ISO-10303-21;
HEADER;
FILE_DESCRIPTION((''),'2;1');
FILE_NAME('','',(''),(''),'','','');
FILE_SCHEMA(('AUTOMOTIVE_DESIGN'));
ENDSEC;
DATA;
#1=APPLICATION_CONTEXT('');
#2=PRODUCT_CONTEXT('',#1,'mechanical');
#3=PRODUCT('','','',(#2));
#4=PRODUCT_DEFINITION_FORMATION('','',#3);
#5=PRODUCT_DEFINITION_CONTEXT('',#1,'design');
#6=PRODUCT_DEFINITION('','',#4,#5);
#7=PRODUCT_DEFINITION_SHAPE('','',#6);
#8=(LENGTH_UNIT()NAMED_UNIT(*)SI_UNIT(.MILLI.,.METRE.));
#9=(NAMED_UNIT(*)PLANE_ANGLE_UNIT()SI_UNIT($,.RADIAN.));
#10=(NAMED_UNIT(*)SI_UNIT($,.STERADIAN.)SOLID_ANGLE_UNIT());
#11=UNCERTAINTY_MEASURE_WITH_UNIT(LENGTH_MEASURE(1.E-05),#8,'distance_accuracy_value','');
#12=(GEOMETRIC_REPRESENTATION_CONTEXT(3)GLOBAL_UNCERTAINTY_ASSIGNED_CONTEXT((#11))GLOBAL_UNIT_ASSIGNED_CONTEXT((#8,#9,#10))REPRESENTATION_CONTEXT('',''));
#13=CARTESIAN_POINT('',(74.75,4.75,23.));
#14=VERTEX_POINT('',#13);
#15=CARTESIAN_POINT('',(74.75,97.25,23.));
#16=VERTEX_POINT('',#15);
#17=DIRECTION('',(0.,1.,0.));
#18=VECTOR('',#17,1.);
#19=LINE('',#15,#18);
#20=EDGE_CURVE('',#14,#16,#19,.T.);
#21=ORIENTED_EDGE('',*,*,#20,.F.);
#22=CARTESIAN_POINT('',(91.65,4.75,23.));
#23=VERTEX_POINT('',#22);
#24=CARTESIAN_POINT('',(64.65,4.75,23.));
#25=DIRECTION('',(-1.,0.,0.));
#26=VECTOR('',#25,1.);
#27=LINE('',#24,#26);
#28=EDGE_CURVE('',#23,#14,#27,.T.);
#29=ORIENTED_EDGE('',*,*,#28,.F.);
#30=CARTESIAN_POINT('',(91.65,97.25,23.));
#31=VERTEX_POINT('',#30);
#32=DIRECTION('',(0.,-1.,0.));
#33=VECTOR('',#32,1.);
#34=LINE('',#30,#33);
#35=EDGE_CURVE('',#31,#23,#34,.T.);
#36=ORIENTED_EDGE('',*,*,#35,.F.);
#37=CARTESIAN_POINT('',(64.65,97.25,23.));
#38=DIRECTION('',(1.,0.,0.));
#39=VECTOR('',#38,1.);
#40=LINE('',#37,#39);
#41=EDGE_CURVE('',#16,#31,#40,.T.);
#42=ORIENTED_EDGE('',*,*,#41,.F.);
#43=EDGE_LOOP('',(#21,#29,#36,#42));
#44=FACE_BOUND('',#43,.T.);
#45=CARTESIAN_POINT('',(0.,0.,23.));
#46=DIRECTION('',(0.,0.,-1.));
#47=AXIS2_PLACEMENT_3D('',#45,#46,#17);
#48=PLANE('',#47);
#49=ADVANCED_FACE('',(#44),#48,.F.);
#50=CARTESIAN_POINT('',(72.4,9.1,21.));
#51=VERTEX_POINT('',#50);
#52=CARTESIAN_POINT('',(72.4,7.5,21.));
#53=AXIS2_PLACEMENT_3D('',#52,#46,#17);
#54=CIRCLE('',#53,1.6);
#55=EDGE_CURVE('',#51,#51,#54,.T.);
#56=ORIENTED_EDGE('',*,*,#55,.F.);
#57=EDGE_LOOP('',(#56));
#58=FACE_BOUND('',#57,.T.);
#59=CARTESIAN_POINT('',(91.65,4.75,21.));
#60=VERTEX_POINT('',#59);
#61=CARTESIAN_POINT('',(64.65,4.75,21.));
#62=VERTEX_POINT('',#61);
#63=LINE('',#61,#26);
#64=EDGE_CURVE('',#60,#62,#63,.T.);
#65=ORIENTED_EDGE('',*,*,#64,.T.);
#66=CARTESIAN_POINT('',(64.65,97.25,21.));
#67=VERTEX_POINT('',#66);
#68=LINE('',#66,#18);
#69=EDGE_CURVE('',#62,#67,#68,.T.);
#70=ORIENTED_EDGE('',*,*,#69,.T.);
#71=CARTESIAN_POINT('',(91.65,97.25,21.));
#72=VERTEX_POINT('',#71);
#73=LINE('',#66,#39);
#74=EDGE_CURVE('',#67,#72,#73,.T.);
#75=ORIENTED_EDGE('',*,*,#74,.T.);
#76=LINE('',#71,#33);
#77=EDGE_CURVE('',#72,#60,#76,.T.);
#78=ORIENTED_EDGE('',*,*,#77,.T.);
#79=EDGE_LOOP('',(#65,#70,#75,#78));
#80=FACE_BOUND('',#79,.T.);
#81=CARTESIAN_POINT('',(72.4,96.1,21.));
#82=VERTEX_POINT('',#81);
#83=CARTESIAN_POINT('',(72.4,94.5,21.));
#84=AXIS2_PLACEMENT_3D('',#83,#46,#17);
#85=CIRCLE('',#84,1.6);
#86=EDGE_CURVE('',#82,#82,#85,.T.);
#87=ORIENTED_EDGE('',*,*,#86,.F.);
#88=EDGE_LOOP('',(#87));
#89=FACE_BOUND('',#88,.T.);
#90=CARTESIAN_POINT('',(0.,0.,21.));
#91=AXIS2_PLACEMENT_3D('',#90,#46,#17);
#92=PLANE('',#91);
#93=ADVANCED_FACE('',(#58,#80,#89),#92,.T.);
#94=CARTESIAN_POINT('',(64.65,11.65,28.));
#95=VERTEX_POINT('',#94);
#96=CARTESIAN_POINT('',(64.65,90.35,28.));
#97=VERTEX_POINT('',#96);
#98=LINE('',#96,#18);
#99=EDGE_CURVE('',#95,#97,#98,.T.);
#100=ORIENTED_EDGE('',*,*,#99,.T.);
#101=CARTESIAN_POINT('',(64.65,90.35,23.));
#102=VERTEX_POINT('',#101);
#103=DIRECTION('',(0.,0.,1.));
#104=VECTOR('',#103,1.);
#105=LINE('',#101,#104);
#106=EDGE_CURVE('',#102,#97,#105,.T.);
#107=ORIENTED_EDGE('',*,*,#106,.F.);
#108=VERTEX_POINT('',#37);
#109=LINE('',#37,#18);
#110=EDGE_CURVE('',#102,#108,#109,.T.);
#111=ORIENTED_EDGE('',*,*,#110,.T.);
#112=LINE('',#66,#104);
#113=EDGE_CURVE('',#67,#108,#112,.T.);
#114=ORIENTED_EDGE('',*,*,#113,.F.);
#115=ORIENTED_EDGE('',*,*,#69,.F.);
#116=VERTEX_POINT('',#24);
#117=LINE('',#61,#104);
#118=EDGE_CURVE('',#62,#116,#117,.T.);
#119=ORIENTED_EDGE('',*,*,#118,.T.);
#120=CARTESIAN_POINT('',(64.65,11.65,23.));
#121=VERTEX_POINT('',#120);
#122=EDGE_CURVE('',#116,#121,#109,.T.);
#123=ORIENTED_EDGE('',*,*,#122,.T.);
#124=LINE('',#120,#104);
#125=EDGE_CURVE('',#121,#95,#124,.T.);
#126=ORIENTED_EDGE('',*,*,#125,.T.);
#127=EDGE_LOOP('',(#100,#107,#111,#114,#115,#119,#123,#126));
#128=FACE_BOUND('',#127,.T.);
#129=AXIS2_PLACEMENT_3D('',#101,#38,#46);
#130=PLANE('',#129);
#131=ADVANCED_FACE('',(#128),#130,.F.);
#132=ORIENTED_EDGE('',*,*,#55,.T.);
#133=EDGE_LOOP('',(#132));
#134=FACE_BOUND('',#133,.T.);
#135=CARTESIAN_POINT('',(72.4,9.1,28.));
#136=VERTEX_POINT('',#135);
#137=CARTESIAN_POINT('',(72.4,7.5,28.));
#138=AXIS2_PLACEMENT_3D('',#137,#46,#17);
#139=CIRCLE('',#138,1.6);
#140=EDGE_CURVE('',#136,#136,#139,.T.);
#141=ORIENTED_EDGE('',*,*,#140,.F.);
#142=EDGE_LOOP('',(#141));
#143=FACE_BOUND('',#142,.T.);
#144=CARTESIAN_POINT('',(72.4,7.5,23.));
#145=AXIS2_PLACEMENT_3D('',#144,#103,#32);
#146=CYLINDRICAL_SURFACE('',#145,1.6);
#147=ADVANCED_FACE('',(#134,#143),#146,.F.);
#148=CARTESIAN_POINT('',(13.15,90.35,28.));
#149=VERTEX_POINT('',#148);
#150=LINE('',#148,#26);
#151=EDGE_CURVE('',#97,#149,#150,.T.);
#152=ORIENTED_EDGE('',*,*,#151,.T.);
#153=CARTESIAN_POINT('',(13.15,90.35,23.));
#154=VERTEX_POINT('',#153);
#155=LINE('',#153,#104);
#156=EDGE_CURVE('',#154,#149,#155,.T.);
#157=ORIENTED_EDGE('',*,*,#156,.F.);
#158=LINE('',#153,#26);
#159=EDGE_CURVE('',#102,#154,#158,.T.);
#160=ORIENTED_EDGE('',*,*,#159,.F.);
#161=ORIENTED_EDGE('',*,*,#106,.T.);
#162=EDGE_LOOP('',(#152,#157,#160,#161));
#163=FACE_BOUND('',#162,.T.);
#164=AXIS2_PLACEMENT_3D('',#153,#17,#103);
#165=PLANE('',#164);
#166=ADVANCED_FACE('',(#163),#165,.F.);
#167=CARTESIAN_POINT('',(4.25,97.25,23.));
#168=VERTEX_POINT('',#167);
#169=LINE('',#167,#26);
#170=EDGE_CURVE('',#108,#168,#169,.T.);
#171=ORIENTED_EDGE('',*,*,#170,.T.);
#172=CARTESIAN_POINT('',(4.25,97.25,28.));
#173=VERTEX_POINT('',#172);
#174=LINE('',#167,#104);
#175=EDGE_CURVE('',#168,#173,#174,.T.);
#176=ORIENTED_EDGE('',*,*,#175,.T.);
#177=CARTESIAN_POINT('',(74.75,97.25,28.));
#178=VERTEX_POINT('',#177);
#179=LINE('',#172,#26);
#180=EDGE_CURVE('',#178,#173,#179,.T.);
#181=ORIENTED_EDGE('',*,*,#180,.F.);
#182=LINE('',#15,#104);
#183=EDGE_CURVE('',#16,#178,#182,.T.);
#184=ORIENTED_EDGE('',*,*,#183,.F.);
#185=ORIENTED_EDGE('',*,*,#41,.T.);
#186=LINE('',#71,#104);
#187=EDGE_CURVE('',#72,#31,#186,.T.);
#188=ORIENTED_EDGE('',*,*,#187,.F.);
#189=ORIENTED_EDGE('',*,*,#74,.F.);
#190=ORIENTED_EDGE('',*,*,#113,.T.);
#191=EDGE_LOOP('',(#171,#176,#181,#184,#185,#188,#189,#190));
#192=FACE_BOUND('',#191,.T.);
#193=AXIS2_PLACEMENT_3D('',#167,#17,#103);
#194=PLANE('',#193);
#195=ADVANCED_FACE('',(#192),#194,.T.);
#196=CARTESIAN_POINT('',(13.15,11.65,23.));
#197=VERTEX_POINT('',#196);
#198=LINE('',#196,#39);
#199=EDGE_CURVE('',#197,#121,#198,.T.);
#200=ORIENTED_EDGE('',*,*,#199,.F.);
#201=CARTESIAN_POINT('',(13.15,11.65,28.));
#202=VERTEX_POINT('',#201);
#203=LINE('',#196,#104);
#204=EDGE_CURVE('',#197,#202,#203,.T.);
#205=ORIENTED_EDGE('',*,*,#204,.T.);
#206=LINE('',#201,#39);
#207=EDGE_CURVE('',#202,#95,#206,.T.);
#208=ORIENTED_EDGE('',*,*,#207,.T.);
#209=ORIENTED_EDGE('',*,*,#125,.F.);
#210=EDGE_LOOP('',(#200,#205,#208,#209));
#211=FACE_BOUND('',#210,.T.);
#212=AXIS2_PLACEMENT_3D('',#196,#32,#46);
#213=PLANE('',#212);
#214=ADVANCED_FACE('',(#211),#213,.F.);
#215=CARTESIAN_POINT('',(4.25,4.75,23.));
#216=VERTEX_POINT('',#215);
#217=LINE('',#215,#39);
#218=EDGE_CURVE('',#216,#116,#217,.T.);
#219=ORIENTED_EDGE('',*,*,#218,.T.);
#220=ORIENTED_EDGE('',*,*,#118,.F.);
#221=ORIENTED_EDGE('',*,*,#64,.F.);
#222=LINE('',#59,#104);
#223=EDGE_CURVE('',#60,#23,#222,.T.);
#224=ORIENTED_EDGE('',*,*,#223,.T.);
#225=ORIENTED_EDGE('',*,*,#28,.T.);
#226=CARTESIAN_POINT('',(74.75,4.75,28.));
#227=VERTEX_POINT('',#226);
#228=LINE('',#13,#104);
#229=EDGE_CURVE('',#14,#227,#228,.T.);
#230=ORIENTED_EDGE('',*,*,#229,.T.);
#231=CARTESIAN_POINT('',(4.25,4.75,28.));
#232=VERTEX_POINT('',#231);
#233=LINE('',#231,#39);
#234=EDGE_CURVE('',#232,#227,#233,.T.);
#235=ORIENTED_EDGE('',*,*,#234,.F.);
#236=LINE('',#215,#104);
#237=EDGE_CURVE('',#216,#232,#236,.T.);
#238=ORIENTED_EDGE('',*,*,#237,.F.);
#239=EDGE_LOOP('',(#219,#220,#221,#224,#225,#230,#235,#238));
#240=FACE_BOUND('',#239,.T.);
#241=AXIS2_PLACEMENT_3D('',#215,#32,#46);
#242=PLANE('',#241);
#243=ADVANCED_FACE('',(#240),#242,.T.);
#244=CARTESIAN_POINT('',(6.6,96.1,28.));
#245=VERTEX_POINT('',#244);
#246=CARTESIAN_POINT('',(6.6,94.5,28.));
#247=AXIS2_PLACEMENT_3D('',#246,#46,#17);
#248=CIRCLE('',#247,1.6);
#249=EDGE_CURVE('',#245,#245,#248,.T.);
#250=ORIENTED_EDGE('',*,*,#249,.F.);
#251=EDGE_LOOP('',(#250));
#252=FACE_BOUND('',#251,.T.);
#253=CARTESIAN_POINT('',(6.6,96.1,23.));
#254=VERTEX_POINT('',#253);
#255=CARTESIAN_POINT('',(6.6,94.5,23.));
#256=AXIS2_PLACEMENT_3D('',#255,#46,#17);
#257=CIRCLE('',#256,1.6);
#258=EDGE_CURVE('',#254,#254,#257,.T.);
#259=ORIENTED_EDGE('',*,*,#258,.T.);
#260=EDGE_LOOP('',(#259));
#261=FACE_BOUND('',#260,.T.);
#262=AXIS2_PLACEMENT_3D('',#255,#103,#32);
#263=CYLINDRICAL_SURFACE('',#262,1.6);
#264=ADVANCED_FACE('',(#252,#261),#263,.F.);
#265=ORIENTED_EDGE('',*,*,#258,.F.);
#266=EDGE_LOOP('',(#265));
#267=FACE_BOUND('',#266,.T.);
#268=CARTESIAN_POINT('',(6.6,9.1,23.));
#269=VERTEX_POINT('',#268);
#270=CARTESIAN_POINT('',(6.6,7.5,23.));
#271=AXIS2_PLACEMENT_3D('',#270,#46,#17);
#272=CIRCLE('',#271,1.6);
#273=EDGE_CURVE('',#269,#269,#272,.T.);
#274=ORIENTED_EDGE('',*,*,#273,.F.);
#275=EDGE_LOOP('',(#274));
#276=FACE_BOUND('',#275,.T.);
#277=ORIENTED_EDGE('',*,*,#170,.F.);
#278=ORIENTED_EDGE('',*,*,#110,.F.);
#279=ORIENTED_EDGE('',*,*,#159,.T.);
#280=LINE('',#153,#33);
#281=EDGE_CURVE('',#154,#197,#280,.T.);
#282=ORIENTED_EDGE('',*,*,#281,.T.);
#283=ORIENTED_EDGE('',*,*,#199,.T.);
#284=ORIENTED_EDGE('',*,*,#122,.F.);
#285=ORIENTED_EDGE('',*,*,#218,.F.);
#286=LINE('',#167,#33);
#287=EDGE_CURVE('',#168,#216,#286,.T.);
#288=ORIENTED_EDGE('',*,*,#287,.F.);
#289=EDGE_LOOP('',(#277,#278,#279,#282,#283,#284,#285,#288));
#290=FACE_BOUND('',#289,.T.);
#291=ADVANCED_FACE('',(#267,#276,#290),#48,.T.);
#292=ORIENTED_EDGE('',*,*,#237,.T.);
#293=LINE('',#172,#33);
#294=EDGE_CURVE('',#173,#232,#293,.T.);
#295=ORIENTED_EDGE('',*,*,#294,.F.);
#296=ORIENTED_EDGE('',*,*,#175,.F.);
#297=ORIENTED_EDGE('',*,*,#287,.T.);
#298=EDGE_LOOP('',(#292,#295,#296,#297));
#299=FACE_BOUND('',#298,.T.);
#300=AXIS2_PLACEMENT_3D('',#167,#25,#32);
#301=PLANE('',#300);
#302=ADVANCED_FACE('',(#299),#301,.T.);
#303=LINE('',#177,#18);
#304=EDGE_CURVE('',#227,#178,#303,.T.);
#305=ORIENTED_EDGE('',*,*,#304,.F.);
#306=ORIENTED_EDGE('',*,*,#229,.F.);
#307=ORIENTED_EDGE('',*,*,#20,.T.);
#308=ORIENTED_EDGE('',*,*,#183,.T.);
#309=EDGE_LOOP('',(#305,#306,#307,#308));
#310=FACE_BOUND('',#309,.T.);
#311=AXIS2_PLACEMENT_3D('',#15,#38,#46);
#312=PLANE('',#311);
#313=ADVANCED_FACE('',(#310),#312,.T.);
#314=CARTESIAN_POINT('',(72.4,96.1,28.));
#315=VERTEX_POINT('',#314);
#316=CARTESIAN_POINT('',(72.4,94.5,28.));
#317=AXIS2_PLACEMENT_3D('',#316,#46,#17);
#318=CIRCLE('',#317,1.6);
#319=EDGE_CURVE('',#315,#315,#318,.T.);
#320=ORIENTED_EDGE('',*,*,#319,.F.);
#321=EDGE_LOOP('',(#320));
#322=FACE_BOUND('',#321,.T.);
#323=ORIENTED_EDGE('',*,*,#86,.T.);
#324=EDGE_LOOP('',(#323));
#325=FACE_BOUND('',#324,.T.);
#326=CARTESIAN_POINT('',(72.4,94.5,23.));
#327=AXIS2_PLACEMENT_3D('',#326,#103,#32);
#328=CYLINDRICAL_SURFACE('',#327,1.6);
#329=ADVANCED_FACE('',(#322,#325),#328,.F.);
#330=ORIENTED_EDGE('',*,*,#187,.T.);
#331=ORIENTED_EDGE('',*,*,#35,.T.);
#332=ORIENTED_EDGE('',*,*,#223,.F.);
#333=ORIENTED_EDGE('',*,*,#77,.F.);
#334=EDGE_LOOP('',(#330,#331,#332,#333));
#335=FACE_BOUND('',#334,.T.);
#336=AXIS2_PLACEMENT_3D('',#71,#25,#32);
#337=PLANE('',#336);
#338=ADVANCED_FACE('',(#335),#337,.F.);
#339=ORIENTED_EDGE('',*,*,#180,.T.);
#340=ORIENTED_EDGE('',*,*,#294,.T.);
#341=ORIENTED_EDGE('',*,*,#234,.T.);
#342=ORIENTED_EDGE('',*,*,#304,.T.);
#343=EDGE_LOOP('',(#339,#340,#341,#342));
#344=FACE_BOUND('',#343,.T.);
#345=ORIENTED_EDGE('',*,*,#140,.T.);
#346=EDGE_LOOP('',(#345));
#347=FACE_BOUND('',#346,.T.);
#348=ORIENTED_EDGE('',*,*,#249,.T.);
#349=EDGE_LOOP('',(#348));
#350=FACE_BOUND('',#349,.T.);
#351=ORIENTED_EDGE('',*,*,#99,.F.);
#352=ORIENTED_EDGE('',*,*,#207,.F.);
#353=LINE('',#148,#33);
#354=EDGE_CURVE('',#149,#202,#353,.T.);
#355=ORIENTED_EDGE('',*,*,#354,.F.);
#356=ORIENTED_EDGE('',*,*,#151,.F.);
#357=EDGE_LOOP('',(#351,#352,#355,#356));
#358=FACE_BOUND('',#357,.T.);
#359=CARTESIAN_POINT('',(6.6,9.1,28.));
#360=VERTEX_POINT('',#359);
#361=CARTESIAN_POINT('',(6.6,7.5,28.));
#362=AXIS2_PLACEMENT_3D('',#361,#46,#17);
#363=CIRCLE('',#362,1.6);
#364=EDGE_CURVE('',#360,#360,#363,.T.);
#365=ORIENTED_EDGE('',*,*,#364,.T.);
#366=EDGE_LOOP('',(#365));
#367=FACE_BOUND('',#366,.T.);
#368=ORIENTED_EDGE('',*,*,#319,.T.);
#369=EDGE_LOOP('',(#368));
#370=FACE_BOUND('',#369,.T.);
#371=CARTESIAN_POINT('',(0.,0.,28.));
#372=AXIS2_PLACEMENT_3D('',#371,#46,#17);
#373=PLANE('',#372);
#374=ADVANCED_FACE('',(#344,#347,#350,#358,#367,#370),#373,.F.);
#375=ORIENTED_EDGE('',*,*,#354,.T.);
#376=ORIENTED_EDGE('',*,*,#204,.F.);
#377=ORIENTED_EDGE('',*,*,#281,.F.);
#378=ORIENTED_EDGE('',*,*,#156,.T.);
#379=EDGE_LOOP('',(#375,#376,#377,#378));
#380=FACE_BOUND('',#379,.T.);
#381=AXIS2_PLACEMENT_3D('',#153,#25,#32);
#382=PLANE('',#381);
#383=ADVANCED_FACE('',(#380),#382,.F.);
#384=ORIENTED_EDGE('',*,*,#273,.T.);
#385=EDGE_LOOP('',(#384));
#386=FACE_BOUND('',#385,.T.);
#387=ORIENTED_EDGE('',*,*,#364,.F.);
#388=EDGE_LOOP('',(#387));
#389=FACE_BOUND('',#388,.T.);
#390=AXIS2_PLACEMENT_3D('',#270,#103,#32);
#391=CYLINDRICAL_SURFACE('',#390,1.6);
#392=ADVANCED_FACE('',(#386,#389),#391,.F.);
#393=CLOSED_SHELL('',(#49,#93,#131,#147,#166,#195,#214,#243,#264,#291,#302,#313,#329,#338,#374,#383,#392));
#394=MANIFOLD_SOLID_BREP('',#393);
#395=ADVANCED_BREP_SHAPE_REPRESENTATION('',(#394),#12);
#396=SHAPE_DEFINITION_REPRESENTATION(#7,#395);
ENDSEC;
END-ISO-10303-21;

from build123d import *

# Parameters (mm, degrees)
SKETCH_1_W          = 71
SKETCH_1_H          = 93
SKETCH_1_R          = 1.6
SKETCH_1_W_2        = 51
SKETCH_1_H_2        = 78.2
EXTRUDE_1_DEPTH     = 5
SKETCH_2_W          = 71
SKETCH_2_H          = 93
SKETCH_2_W_2        = 70.5
SKETCH_2_H_2        = 92.5
CUT_EXTRUDE_1_DEPTH = 6
SKETCH_3_W          = 51.5
SKETCH_3_H          = 78.7
SKETCH_3_W_2        = 51
SKETCH_3_H_2        = 78.2
CUT_EXTRUDE_2_DEPTH = 6
SKETCH_5_W          = 27
SKETCH_5_H          = 92.5
SKETCH_5_R          = 1.6
EXTRUDE_3_DEPTH     = 2


with BuildPart() as part:
    # Эскиз1 → Бобышка-Вытянуть1 (new body)
    with BuildSketch(Plane(origin=(0, 0, 28), x_dir=(-1, 0, 0), z_dir=(0, 0, -1))):
        with Locations((-39.5, 51)):
            Rectangle(SKETCH_1_W, SKETCH_1_H)
        with Locations((-6.6, 7.5)):
            Circle(SKETCH_1_R, mode=Mode.SUBTRACT)
        with Locations((-72.4, 7.5)):
            Circle(SKETCH_1_R, mode=Mode.SUBTRACT)
        with Locations((-6.6, 94.5)):
            Circle(SKETCH_1_R, mode=Mode.SUBTRACT)
        with Locations((-72.4, 94.5)):
            Circle(SKETCH_1_R, mode=Mode.SUBTRACT)
        with Locations((-38.9, 51)):
            Rectangle(SKETCH_1_W_2, SKETCH_1_H_2, mode=Mode.SUBTRACT)
    extrude(amount=EXTRUDE_1_DEPTH)

    # Эскиз2 → Вырез-Вытянуть1 (cut, through all)
    with BuildSketch(Plane.XY.offset(28)):
        with Locations((39.5, 51)):
            Rectangle(SKETCH_2_W, SKETCH_2_H)
        with Locations((39.5, 51)):
            Rectangle(SKETCH_2_W_2, SKETCH_2_H_2, mode=Mode.SUBTRACT)
    extrude(amount=-CUT_EXTRUDE_1_DEPTH, mode=Mode.SUBTRACT)

    # Эскиз3 → Вырез-Вытянуть2 (cut, through all)
    with BuildSketch(Plane.XY.offset(28)):
        with Locations((38.9, 51)):
            Rectangle(SKETCH_3_W, SKETCH_3_H)
        with Locations((38.9, 51)):
            Rectangle(SKETCH_3_W_2, SKETCH_3_H_2, mode=Mode.SUBTRACT)
    extrude(amount=-CUT_EXTRUDE_2_DEPTH, mode=Mode.SUBTRACT)

    # Эскиз5 → Бобышка-Вытянуть3 (add)
    with BuildSketch(Plane(origin=(0, 0, 23), x_dir=(-1, 0, 0), z_dir=(0, 0, -1))):
        with Locations((-78.15, 51)):
            Rectangle(SKETCH_5_W, SKETCH_5_H)
        with Locations((-72.4, 94.5)):
            Circle(SKETCH_5_R, mode=Mode.SUBTRACT)
        with Locations((-72.4, 7.5)):
            Circle(SKETCH_5_R, mode=Mode.SUBTRACT)
    extrude(amount=EXTRUDE_3_DEPTH)


solid = part.part
